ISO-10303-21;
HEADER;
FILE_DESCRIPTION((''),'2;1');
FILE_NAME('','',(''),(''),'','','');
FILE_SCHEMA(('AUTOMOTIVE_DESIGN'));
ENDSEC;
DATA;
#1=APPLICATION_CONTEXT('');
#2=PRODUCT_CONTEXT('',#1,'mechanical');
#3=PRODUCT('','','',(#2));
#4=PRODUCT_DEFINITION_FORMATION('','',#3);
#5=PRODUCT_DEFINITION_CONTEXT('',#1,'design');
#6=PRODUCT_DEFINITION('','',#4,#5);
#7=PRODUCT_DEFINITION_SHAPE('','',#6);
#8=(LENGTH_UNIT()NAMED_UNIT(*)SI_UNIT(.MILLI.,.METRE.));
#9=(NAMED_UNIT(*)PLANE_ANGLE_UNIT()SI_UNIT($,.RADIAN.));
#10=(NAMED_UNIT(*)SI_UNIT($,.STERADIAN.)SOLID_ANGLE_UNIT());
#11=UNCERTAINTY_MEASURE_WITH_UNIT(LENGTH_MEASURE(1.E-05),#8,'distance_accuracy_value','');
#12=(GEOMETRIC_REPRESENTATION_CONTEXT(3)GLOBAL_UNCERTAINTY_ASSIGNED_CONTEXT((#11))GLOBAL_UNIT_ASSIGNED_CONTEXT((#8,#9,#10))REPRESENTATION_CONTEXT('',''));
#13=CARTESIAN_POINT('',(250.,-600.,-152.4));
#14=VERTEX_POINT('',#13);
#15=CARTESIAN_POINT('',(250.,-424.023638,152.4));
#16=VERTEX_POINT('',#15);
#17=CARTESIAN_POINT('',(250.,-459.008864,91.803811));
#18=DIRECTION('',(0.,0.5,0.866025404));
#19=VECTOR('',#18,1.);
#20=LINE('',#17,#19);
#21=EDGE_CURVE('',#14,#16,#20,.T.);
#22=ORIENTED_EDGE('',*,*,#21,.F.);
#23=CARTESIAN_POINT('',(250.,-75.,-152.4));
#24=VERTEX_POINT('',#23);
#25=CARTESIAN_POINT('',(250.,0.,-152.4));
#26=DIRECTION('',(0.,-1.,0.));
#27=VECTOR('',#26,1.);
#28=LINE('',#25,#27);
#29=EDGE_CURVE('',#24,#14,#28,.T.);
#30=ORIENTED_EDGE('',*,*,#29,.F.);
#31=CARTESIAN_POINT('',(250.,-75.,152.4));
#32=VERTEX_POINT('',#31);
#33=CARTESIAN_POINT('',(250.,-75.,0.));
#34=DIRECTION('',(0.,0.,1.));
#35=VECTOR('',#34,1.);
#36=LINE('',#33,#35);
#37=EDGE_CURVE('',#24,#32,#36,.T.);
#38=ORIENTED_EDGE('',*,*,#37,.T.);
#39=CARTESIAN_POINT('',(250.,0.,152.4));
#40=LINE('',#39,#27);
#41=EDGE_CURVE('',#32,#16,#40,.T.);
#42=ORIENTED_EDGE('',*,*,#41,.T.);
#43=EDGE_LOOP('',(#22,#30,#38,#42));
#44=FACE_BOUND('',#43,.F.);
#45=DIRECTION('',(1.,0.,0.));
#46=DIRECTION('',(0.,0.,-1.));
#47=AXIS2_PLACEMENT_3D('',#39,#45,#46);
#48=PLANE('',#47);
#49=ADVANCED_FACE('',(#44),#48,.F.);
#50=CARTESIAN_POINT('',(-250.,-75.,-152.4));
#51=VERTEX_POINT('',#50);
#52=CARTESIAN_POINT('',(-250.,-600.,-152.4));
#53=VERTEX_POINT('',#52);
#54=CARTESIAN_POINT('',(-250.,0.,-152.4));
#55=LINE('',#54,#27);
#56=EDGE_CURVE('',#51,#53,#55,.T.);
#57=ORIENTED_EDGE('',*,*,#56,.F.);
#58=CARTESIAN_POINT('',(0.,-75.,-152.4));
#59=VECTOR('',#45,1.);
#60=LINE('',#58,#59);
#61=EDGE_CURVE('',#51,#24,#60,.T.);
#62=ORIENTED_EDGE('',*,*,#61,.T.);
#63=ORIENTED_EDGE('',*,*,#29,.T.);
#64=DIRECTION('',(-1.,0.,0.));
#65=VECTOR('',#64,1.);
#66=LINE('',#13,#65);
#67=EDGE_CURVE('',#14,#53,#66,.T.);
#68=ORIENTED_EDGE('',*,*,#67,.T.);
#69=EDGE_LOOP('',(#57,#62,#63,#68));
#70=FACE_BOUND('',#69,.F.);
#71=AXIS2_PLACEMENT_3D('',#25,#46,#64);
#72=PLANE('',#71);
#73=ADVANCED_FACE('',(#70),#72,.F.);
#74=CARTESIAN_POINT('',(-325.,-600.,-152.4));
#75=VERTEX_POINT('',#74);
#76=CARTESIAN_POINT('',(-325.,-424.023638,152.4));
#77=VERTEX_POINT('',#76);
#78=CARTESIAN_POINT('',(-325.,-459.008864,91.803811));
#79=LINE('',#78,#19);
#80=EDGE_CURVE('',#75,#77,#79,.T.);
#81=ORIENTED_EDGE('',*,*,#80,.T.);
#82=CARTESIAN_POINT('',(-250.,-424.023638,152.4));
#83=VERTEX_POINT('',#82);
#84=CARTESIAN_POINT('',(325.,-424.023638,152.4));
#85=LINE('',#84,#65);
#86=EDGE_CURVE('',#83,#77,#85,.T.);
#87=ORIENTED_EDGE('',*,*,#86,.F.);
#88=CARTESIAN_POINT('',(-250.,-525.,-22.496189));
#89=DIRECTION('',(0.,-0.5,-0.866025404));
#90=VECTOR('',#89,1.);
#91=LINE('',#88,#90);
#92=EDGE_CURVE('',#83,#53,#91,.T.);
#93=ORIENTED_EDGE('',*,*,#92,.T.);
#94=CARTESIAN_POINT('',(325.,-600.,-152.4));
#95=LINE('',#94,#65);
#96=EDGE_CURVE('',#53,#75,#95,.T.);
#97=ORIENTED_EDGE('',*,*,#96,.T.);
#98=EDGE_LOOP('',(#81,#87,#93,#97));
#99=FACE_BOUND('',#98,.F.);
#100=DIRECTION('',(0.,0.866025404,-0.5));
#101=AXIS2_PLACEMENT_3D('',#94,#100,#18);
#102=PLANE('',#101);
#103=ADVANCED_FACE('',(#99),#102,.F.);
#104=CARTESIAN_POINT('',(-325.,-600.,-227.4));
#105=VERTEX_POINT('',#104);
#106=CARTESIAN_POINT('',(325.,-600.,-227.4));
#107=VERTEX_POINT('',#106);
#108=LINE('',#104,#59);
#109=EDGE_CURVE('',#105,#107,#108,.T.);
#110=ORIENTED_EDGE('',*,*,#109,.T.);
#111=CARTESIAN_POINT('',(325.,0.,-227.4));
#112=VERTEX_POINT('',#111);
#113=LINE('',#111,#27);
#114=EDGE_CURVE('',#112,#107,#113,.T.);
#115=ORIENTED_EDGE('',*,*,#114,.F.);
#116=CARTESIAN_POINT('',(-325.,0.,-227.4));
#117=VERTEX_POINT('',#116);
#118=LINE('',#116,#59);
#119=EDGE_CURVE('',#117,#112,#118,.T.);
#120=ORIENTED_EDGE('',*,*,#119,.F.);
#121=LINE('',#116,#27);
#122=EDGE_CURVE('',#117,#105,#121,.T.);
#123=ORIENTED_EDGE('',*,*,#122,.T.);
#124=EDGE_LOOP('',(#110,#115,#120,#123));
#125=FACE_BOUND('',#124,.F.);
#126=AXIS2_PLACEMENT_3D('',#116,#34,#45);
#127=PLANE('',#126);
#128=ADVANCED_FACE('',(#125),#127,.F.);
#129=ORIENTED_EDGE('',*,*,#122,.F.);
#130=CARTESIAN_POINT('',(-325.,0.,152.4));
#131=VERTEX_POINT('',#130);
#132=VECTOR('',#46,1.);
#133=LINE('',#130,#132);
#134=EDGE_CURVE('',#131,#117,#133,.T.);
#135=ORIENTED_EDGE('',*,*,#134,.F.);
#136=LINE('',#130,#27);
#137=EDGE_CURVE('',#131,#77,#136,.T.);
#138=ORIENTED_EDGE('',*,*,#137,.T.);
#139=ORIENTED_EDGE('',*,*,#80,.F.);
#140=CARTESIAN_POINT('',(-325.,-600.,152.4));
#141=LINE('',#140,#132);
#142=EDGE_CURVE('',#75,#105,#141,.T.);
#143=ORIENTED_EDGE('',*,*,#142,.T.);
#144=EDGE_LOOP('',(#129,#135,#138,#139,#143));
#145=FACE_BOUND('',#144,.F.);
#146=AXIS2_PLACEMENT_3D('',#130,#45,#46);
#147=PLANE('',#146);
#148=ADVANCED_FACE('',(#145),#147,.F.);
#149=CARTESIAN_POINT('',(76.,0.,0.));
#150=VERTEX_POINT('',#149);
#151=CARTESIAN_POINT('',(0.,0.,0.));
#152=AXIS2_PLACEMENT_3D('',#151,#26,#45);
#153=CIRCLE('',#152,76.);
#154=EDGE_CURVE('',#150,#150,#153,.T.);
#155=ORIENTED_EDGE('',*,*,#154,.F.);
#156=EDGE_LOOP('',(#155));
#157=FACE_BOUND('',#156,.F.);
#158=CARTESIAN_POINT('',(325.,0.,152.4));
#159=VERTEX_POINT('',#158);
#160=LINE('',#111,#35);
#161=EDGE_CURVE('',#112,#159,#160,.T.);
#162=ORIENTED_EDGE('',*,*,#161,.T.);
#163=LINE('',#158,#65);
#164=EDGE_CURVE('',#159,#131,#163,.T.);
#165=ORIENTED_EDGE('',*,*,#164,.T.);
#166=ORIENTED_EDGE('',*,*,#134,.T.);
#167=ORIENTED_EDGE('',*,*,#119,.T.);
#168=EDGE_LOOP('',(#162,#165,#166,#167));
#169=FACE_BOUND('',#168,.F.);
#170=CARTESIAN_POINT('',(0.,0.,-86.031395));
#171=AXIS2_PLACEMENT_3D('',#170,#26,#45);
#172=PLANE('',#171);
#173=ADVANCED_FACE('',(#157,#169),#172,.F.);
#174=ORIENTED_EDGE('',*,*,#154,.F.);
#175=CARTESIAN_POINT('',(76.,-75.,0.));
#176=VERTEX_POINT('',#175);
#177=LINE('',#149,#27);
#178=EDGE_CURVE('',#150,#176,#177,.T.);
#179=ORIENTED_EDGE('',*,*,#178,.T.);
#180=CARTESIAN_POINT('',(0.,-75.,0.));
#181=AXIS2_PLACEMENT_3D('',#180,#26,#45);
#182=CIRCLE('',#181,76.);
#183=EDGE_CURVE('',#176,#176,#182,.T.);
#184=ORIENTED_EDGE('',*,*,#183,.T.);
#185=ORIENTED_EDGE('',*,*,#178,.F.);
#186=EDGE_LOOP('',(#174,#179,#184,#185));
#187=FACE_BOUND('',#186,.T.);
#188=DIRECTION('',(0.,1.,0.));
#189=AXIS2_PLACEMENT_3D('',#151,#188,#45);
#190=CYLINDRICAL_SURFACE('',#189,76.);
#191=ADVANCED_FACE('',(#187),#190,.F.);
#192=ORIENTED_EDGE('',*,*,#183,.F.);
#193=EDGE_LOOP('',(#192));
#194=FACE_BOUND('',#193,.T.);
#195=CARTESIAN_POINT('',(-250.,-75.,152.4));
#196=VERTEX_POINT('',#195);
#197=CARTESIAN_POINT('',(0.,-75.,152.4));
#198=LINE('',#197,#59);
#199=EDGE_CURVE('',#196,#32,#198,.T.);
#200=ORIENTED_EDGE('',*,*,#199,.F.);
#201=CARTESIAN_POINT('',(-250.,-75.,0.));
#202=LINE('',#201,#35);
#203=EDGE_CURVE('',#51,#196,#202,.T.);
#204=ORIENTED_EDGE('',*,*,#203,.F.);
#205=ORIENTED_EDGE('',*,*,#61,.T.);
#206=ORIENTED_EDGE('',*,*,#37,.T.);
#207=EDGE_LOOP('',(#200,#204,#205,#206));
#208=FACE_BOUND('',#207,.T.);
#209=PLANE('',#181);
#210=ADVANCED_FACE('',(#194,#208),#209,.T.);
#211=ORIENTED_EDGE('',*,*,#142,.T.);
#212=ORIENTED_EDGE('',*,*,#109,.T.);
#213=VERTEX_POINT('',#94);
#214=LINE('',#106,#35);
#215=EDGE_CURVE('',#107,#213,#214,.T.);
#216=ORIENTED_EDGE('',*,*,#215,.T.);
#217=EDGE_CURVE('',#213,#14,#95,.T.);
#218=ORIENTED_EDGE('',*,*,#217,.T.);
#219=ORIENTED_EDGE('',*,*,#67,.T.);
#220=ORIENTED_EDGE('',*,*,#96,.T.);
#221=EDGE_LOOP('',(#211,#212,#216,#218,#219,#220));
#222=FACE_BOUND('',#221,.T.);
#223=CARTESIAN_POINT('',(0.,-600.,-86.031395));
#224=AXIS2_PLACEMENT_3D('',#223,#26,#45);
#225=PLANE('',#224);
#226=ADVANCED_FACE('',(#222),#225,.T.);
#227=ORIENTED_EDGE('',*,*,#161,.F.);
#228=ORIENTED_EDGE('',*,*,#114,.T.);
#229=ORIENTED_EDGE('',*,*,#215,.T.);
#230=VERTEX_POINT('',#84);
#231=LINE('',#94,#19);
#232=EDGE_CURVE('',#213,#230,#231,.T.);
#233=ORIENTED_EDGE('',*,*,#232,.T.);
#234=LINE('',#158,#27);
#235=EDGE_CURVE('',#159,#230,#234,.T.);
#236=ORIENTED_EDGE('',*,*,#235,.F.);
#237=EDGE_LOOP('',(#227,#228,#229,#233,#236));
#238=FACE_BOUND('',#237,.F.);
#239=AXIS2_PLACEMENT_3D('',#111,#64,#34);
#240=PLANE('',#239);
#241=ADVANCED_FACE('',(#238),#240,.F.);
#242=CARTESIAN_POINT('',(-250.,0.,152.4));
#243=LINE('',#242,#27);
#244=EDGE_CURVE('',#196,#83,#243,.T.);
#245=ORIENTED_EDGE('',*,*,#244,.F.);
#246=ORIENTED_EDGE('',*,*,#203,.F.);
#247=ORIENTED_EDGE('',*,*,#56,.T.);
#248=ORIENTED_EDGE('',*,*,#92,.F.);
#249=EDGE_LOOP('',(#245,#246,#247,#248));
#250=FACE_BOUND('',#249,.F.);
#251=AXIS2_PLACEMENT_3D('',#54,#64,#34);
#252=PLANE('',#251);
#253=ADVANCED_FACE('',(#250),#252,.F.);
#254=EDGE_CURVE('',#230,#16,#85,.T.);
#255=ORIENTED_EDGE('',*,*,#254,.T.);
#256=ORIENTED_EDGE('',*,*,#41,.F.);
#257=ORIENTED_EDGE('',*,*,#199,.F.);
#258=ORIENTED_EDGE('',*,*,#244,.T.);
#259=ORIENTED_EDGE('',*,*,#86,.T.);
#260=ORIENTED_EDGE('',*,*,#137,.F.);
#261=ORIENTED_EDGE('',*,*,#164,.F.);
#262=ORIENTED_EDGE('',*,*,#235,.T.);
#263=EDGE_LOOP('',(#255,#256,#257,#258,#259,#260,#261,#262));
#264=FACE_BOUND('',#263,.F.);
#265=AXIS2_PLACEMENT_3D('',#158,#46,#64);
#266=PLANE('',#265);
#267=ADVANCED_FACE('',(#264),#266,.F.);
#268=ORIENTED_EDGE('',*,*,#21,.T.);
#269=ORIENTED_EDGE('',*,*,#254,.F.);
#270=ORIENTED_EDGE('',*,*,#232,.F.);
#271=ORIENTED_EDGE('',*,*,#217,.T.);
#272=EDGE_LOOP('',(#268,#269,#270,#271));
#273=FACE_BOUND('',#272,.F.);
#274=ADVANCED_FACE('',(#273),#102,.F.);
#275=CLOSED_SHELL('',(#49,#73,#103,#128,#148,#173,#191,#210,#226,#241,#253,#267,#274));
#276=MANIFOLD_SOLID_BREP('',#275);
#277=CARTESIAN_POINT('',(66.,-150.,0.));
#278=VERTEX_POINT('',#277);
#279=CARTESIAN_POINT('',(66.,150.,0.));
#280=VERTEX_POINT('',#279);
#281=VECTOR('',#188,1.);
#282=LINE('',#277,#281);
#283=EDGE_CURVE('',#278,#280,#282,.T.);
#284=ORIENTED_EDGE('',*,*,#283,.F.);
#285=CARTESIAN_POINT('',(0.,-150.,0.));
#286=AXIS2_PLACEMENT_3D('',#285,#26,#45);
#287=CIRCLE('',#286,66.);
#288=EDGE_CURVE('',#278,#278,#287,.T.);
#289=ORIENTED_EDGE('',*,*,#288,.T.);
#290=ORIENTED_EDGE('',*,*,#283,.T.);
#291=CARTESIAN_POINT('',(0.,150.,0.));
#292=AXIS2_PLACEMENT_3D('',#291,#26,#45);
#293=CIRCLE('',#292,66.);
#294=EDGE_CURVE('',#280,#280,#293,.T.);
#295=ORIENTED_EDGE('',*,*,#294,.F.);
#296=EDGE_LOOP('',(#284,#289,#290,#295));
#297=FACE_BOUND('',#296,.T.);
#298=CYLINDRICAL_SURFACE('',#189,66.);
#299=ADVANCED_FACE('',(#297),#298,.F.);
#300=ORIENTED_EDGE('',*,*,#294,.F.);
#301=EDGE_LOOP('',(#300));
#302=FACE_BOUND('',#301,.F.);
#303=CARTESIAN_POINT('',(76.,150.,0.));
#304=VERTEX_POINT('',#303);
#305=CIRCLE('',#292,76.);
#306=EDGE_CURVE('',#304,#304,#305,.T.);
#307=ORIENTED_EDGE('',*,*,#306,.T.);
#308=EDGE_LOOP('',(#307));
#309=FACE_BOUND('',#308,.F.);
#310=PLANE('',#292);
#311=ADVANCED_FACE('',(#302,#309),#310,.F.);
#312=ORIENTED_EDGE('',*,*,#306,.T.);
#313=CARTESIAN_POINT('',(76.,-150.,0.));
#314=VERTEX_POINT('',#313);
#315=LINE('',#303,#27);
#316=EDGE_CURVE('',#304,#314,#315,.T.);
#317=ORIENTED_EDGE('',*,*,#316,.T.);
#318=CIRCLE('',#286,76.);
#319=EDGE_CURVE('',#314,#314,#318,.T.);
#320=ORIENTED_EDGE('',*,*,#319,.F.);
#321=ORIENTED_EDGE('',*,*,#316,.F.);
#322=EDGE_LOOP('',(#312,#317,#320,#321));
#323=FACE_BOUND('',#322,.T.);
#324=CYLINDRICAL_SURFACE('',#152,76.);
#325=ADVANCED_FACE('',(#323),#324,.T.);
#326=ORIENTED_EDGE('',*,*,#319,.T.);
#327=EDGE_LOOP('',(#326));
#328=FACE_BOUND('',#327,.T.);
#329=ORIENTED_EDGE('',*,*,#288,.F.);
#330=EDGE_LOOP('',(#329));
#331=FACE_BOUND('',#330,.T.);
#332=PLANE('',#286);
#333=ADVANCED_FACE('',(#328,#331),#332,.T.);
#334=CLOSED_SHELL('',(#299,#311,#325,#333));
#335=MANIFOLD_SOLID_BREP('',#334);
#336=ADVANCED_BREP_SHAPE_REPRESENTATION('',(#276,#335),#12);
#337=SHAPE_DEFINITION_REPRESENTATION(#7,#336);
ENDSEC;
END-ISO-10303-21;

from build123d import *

# Parameters (mm, degrees)
F0_W     = 500
F0_H     = 304.8
F0_R     = 76
F1_DEPTH = 75
F0_R_2   = 66
F2_DEPTH = 150
F3_DEPTH = 600
F5_DEPTH = 650.001


with BuildPart() as f1:
    # F0 (on Front) → F1 (new body)
    with BuildSketch(Plane.XZ):
        Rectangle(F0_W, F0_H)
        Circle(F0_R, mode=Mode.SUBTRACT)
    extrude(amount=F1_DEPTH)

    # F0 (on Front) → F3 (join)
    with BuildSketch(Plane.XZ):
        Polygon((325, 152.4), (250, 152.4), (250, -152.4), (-250, -152.4), (-250, 152.4), (-325, 152.4), (-325, -227.4), (325, -227.4), align=None)
    extrude(amount=F3_DEPTH)

    # F4 (on face) → F5 (cut, through all)
    with BuildSketch(Plane.YZ.offset(325)):
        Polygon((-600, 152.4), (-600, -152.4), (-424.023638, 152.4), align=None)
    extrude(amount=-F5_DEPTH, mode=Mode.SUBTRACT)


with BuildPart() as f2:
    # F0 (on Front) → F2 (new body, symmetric)
    with BuildSketch(Plane.XZ):
        Circle(F0_R)
        Circle(F0_R_2, mode=Mode.SUBTRACT)
    extrude(amount=F2_DEPTH, both=True)


solid = Compound([f1.part, f2.part])
